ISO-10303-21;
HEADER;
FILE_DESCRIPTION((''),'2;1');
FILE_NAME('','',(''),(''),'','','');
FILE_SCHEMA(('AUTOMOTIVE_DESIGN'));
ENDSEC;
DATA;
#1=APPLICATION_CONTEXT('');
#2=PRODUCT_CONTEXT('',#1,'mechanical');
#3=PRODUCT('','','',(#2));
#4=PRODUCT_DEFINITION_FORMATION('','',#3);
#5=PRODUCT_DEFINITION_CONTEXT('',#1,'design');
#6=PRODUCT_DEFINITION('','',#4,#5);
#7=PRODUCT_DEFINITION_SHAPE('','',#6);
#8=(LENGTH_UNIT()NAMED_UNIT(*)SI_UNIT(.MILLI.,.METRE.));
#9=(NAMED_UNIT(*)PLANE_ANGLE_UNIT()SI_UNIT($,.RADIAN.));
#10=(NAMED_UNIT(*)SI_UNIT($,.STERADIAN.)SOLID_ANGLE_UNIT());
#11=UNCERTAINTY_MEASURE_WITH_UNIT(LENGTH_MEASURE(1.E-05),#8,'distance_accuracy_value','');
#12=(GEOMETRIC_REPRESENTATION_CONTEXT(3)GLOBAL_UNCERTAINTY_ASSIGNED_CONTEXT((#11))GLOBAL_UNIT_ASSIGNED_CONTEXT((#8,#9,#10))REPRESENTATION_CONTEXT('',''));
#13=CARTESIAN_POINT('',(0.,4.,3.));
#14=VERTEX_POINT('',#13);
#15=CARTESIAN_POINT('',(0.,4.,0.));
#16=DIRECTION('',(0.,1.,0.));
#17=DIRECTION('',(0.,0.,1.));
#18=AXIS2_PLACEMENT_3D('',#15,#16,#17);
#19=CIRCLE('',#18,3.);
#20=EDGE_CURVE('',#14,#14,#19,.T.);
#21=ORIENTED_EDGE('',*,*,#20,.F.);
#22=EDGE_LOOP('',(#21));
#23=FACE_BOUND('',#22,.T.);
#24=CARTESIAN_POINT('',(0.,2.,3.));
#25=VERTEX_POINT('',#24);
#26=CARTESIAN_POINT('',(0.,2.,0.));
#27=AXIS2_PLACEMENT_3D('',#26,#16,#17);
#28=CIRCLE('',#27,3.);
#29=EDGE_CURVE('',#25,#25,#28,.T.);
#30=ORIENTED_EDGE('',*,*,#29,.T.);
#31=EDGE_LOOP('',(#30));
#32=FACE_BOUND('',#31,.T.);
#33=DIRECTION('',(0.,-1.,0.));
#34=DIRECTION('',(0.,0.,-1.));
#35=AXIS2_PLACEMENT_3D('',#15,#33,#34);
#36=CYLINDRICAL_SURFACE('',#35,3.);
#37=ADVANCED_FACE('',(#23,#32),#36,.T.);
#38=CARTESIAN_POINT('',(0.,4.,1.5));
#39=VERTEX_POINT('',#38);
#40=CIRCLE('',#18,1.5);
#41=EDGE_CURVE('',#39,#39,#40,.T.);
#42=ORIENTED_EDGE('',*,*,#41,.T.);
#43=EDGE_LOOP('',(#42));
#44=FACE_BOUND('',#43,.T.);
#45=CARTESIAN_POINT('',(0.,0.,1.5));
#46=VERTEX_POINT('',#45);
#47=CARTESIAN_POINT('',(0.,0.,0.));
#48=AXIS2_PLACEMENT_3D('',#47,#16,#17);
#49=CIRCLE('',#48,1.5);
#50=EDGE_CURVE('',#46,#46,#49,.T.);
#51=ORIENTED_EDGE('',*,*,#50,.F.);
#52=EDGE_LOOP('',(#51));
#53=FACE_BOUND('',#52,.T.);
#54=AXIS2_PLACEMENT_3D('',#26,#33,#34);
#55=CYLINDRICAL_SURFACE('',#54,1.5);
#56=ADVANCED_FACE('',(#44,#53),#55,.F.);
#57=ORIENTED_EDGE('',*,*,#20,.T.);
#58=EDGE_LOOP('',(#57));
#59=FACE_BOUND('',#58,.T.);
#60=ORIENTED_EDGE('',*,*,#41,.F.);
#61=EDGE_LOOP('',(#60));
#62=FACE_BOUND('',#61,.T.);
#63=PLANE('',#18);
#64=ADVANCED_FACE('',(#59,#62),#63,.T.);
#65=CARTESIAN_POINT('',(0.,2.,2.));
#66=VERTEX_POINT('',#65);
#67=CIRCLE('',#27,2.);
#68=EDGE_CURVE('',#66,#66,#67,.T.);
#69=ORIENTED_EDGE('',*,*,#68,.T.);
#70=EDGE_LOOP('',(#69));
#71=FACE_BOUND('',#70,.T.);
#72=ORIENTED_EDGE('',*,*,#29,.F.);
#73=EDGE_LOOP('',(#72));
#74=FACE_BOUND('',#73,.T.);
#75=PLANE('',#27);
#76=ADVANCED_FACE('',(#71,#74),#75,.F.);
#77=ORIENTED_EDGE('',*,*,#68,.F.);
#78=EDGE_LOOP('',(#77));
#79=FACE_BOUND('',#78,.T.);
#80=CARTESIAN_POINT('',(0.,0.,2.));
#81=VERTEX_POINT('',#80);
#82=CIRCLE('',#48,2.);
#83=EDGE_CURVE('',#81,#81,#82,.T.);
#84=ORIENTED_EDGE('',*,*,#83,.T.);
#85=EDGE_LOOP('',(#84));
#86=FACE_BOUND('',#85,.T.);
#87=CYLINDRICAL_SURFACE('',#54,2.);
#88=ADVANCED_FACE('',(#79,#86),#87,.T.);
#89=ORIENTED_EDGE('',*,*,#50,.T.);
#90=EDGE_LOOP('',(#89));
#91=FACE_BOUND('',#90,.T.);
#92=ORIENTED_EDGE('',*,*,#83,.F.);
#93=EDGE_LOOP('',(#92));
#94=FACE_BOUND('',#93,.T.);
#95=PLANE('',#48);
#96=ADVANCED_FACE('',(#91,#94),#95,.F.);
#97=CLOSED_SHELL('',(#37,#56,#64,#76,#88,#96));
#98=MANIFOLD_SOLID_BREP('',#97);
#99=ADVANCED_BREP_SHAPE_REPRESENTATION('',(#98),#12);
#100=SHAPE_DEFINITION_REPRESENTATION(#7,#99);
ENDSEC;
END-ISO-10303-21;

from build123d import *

# Parameters (mm, degrees)
SKETCH2_R           = 2
SKETCH2_R_2         = 1.5
BOSS_EXTRUDE1_DEPTH = 2
SKETCH3_R           = 3
SKETCH3_R_2         = 1.5
BOSS_EXTRUDE2_DEPTH = 2


with BuildPart() as part:
    # Sketch2 → Boss-Extrude1 (new body)
    with BuildSketch(Plane(origin=(0, 0, 0), x_dir=(1, 0, 0), z_dir=(0, 1, 0))):
        with Locations(Location((0, 0, 0), (0, 0, 270))):
            Circle(SKETCH2_R)
        with Locations(Location((0, 0, 0), (0, 0, 270))):
            Circle(SKETCH2_R_2, mode=Mode.SUBTRACT)
    extrude(amount=BOSS_EXTRUDE1_DEPTH)

    # Sketch3 → Boss-Extrude2 (add)
    with BuildSketch(Plane(origin=(0, 2, 0), x_dir=(1, 0, 0), z_dir=(0, 1, 0))):
        with Locations(Location((0, 0, 0), (0, 0, 270))):
            Circle(SKETCH3_R)
        with Locations(Location((0, 0, 0), (0, 0, 270))):
            Circle(SKETCH3_R_2, mode=Mode.SUBTRACT)
    extrude(amount=BOSS_EXTRUDE2_DEPTH)


solid = part.part
